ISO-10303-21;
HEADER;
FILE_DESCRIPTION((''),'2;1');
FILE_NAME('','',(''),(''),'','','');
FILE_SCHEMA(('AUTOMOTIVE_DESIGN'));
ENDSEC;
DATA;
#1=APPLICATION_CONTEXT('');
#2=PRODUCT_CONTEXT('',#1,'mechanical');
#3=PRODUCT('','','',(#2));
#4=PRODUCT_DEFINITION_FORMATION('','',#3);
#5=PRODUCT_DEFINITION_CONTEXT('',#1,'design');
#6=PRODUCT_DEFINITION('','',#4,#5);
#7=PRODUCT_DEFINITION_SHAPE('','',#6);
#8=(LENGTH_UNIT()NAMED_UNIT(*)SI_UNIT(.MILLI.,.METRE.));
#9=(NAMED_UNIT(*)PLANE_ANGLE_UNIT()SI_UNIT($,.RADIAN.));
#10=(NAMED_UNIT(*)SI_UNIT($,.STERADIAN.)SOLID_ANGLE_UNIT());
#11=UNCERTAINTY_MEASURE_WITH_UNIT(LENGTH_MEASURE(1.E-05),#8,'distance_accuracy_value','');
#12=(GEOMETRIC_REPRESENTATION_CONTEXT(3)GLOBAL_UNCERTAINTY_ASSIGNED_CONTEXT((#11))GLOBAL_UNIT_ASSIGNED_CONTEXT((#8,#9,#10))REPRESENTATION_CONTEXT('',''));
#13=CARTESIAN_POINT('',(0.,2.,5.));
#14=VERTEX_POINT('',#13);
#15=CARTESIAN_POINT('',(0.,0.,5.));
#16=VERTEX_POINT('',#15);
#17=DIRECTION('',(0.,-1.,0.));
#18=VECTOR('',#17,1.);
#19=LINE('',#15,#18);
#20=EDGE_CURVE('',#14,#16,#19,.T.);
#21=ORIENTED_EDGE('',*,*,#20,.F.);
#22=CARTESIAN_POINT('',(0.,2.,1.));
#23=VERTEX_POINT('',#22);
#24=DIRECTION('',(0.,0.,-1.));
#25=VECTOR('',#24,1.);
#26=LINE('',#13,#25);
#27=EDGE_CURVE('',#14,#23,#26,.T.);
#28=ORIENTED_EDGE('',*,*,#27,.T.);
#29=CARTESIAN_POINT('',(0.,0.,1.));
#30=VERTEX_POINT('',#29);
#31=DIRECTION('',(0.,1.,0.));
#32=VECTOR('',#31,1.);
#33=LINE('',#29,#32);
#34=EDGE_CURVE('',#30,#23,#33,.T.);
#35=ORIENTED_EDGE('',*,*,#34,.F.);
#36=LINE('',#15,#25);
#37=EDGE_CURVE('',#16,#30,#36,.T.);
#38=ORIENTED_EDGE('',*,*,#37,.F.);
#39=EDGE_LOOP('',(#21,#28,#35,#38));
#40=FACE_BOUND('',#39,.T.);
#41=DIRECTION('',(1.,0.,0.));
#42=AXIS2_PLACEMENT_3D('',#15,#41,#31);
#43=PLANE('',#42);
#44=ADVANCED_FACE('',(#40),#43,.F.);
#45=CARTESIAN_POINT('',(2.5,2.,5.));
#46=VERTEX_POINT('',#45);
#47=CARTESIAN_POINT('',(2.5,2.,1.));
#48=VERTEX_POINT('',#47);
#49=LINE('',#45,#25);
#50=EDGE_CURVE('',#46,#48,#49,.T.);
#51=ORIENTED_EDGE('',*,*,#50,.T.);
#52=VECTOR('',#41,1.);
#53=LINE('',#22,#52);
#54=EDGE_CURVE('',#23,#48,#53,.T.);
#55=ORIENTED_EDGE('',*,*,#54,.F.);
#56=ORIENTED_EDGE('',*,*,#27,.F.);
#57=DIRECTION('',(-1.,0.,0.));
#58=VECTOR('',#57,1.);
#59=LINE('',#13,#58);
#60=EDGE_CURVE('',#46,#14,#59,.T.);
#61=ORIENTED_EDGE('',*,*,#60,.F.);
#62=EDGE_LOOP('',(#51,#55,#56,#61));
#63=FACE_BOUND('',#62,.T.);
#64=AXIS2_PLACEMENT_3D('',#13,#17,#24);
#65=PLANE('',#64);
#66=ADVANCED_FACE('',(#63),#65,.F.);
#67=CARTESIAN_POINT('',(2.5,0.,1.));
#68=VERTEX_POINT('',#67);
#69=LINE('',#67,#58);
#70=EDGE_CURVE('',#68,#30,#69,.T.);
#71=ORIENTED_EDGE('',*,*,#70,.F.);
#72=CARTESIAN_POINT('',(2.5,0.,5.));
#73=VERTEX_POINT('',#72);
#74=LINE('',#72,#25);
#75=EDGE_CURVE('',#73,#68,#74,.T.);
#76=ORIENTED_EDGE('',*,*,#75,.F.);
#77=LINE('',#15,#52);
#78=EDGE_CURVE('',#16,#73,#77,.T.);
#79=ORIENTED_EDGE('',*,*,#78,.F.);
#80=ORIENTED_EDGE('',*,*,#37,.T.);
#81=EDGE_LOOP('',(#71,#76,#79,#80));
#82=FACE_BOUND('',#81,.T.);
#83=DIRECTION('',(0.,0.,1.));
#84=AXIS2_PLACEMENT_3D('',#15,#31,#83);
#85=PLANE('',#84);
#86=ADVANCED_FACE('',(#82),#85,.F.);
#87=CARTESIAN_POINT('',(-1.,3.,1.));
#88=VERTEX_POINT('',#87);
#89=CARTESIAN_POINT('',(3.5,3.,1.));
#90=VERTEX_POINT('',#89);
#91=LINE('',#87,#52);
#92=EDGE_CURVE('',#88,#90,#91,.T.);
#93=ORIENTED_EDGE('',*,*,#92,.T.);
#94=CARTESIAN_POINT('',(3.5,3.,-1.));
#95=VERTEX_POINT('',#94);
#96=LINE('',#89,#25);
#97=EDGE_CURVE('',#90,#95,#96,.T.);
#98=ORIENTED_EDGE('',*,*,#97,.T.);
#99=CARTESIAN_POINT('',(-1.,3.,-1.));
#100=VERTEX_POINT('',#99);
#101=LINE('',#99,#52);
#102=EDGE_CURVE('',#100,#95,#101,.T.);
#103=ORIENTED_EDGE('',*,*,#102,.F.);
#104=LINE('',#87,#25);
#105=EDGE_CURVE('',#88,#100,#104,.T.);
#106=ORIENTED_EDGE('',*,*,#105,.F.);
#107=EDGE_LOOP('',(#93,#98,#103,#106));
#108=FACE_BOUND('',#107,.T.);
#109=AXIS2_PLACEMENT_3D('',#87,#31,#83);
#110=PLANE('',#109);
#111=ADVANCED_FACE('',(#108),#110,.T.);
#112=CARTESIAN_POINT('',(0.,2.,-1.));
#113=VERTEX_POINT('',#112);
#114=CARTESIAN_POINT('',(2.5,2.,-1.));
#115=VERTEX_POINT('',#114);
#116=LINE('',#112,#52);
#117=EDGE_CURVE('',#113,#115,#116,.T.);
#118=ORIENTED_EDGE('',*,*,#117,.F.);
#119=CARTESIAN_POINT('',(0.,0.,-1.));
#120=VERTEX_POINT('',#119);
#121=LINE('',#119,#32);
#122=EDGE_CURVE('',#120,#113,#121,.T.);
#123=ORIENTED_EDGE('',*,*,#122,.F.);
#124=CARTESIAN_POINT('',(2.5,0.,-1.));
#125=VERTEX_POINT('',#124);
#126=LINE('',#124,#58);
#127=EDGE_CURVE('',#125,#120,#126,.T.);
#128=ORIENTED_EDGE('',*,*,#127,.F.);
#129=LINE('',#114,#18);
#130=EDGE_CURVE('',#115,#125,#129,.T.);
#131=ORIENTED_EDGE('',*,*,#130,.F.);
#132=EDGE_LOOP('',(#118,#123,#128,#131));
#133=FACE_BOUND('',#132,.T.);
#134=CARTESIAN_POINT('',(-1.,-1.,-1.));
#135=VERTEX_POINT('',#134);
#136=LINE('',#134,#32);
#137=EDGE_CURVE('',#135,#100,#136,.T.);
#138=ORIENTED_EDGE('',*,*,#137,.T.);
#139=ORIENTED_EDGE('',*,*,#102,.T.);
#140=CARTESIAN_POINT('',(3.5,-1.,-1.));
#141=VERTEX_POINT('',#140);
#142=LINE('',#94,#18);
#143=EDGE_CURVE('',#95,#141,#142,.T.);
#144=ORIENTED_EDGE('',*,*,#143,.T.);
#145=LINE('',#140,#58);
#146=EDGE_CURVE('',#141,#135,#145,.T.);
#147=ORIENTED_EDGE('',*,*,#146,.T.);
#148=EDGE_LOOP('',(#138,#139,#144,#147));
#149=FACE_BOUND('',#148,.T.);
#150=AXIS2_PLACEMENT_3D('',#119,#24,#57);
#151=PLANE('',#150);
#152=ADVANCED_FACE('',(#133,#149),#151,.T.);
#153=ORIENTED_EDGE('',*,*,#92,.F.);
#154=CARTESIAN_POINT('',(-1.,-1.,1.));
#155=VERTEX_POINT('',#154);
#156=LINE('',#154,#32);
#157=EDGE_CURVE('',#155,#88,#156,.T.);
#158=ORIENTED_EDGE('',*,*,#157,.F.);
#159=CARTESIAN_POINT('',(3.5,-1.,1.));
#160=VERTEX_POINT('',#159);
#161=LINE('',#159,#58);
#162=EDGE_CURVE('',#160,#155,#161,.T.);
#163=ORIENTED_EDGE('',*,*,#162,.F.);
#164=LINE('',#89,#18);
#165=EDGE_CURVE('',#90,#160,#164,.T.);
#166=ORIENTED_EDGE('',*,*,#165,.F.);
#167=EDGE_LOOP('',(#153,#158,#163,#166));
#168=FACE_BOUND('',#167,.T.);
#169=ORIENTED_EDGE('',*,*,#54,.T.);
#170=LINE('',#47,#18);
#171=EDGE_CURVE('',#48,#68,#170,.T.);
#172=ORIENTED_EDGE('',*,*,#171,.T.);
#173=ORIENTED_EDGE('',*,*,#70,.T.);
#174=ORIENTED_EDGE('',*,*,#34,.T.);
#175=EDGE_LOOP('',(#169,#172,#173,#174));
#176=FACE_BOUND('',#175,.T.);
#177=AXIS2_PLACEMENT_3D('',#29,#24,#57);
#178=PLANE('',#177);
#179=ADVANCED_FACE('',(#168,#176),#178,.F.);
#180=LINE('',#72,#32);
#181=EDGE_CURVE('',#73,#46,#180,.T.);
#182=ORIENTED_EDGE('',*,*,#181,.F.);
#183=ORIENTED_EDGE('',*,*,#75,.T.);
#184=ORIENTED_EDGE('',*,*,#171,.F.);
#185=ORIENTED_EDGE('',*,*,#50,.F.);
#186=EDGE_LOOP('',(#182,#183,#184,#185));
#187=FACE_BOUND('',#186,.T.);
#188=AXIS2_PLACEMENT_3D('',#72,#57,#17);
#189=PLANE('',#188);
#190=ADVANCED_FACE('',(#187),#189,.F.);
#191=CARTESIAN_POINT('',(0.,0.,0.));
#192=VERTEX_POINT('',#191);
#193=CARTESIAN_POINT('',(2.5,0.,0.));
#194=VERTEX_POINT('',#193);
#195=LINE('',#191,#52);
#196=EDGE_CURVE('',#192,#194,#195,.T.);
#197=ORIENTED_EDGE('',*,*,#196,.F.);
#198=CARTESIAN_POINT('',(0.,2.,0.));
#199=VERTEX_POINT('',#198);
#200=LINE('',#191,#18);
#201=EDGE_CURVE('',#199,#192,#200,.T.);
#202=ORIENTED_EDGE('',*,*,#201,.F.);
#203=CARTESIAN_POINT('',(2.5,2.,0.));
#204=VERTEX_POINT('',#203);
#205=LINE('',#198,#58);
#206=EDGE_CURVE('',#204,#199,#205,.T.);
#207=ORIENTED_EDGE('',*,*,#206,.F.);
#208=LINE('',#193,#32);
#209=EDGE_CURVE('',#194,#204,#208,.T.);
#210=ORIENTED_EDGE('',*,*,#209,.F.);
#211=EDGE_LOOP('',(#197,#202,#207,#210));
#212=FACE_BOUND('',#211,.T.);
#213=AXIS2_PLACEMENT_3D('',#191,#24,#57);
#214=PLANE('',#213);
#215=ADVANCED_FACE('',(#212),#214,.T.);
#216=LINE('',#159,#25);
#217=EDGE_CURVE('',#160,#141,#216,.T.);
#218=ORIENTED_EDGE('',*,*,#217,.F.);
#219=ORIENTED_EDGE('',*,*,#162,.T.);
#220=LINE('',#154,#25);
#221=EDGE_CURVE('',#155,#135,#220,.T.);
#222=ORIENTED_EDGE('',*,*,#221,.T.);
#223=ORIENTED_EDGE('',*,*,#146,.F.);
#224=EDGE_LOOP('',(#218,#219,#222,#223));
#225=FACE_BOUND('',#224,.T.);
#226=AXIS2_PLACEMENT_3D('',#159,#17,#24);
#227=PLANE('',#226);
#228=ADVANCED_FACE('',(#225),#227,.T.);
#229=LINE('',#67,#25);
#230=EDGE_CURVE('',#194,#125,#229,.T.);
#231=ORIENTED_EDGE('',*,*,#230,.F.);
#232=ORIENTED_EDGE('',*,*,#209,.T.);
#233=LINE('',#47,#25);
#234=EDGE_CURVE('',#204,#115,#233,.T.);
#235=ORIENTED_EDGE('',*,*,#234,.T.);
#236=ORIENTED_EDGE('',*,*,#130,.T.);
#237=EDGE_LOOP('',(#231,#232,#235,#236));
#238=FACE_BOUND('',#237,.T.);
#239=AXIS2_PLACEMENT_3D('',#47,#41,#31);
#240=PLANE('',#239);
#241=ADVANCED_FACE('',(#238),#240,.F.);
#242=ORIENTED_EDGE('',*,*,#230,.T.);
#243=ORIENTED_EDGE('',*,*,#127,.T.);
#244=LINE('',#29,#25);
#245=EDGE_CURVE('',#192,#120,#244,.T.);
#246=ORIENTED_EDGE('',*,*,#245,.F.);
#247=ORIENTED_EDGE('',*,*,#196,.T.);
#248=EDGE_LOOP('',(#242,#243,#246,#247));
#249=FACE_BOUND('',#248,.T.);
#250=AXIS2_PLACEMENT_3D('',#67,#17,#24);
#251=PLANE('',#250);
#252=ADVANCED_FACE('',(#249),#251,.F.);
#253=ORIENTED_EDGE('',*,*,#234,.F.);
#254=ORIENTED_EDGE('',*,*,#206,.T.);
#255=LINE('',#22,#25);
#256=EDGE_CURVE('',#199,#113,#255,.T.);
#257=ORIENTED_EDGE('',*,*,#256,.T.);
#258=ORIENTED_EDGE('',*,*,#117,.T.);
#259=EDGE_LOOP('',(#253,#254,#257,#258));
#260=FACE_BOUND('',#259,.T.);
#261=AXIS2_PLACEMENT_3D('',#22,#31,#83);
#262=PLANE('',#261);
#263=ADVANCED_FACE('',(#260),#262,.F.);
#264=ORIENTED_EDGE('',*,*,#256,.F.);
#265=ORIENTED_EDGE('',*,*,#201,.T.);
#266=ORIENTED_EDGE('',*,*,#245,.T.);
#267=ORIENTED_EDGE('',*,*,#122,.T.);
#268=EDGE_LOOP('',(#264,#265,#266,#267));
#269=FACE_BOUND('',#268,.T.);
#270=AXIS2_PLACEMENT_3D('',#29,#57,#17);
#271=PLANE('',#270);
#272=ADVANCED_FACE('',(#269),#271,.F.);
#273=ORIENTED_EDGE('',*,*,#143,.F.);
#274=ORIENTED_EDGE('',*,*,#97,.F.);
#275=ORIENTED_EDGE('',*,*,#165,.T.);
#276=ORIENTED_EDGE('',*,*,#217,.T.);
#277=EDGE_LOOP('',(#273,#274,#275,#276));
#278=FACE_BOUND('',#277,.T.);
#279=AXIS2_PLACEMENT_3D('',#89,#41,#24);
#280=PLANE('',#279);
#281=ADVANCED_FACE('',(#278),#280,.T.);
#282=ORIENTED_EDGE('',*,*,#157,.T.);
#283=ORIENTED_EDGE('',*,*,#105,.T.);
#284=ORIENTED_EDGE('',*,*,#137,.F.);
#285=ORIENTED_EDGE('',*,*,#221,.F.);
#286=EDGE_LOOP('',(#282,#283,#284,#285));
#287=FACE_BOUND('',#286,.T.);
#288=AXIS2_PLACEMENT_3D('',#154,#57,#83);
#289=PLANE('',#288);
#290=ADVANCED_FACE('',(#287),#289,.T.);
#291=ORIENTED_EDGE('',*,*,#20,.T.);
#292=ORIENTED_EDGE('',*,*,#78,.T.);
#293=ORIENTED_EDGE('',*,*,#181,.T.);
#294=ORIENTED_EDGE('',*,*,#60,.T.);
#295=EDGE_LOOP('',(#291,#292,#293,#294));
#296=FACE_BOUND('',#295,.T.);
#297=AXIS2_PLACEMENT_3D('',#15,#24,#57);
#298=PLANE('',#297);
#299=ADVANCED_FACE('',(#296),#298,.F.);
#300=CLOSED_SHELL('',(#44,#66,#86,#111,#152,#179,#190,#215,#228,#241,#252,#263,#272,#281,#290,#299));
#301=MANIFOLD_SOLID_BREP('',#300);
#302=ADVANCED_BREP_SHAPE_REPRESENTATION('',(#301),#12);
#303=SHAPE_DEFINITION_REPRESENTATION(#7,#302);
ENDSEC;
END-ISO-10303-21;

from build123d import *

# Parameters (mm, degrees)
SKETCH_1_W           = 2.5
SKETCH_1_H           = 2
EXTRUDE_1_DEPTH      = 5
EXTRUDE_3_DEPTH      = 1
EXTRUDE_3_DEPTH_BACK = 1
SKETCH_2_W           = 4.5
SKETCH_2_H           = 4
SKETCH_2_W_2         = 2.5
SKETCH_2_H_2         = 2


with BuildPart() as part:
    # 草图1 → 凸台-拉伸1 (new body)
    with BuildSketch(Plane.XY):
        with Locations((1.25, 1)):
            Rectangle(SKETCH_1_W, SKETCH_1_H)
    extrude(amount=EXTRUDE_1_DEPTH)

    # 草图2 → 凸台-拉伸3 (add, two sides: drawn at the far end of the back side and taken through both)
    with BuildSketch(Plane(origin=(0, 0, 0), x_dir=(-1, 0, 0), z_dir=(0, 0, -1)).offset(-EXTRUDE_3_DEPTH_BACK)):
        with Locations((-1.25, 1)):
            Rectangle(SKETCH_2_W, SKETCH_2_H)
        with Locations((-1.25, 1)):
            Rectangle(SKETCH_2_W_2, SKETCH_2_H_2, mode=Mode.SUBTRACT)
    extrude(amount=EXTRUDE_3_DEPTH + EXTRUDE_3_DEPTH_BACK)


solid = part.part
